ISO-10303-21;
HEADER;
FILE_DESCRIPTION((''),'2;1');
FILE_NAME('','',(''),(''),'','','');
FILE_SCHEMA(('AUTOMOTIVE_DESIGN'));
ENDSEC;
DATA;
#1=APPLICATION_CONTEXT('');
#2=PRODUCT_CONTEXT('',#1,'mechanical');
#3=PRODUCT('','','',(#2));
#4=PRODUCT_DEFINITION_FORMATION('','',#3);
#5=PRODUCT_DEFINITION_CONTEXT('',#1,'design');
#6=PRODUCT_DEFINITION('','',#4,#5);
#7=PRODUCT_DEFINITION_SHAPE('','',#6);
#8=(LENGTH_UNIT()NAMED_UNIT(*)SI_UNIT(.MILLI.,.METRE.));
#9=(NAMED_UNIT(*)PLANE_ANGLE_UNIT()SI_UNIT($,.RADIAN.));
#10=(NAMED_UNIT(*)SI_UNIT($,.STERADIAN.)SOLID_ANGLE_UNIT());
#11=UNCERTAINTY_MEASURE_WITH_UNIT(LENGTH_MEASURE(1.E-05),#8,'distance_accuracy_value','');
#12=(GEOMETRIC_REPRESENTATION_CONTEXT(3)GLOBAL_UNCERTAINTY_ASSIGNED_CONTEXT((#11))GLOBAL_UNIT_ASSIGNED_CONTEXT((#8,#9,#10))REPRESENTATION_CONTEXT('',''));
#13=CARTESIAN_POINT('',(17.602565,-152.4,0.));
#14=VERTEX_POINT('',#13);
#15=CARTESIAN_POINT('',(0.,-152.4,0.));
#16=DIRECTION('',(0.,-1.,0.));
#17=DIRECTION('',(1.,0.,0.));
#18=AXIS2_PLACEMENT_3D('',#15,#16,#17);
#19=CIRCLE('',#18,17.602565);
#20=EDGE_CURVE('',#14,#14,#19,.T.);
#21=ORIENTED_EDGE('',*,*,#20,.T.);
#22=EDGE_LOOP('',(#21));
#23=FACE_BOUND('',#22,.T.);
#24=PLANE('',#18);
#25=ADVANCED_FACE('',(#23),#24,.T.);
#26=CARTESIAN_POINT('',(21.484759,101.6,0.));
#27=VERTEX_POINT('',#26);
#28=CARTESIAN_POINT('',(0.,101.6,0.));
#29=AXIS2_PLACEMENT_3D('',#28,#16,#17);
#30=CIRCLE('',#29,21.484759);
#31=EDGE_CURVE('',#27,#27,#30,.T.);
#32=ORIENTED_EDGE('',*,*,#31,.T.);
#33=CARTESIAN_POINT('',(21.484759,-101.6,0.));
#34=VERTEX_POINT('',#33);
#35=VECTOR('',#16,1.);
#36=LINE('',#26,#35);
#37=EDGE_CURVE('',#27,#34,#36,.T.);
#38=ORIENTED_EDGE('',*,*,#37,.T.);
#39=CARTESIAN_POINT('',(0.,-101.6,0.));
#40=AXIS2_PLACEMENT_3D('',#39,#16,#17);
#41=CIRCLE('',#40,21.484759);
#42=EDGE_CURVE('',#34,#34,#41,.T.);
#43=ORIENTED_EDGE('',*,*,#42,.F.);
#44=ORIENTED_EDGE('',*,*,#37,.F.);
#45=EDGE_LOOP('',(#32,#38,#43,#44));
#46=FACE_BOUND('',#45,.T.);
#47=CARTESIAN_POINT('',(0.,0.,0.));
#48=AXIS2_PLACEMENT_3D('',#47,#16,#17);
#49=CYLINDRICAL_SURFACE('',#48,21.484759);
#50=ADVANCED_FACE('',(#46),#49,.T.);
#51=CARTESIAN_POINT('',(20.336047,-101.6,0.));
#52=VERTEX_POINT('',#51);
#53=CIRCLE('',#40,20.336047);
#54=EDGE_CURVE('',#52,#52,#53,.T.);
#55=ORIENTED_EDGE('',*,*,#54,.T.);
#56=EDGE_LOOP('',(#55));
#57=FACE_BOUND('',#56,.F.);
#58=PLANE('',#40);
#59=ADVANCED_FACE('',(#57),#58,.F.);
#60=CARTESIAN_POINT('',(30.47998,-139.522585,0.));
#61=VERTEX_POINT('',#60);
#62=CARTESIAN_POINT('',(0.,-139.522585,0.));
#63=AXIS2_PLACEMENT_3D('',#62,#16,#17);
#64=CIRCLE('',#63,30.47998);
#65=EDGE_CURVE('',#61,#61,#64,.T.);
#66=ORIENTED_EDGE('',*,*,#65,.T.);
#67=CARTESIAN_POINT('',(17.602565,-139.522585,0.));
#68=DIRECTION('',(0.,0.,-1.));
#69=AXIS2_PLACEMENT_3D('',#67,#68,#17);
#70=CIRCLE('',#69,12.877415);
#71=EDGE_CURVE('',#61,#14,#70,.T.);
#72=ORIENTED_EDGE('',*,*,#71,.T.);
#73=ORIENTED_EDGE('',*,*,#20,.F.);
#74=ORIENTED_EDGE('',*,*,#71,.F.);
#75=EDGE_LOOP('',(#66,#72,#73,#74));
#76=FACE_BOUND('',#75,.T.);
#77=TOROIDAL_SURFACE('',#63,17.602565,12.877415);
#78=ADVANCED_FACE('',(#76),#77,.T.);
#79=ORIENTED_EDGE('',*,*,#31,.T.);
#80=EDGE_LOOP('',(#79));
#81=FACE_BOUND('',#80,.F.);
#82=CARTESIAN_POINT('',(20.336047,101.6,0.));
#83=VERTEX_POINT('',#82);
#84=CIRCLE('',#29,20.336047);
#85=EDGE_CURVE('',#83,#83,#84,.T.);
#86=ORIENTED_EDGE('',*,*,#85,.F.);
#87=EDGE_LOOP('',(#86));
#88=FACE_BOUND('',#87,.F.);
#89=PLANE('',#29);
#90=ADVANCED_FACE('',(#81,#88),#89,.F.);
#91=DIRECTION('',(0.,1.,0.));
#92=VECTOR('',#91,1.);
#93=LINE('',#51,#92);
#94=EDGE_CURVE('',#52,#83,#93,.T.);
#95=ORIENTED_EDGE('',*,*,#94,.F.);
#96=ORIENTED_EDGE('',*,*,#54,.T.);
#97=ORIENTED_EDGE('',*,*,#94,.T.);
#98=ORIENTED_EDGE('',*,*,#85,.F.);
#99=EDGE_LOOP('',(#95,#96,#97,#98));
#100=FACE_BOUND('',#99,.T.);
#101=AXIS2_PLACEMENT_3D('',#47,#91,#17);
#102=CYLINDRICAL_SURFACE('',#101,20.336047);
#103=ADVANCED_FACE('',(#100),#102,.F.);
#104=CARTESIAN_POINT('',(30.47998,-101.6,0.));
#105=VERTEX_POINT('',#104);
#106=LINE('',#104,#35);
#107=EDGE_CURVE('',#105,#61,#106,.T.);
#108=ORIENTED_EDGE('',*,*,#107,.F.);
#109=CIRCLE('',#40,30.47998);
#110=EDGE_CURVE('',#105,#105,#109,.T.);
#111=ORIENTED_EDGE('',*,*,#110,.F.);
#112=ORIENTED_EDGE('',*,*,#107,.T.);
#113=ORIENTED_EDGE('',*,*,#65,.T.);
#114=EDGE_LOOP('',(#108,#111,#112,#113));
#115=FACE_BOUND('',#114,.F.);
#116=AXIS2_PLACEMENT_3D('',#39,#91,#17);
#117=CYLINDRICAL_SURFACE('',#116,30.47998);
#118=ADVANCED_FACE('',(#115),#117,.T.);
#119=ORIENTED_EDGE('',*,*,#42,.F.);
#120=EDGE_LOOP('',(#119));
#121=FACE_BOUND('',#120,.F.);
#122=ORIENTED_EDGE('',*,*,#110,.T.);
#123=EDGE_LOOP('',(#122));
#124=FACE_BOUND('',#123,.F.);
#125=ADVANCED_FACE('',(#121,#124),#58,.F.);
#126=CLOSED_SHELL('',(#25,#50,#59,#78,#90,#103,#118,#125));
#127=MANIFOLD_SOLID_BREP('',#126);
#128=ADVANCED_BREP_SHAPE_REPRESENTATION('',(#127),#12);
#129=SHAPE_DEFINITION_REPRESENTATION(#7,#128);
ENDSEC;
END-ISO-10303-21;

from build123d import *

# Parameters (mm, degrees)
F0_R     = 21.484759
F0_R_2   = 20.336047
F1_DEPTH = 101.6
F2_R     = 30.47998
F3_DEPTH = 50.8
F4_R     = 12.877415


with BuildPart() as f1:
    # F0 (on Front) → F1 (new body, symmetric)
    with BuildSketch(Plane.XZ):
        Circle(F0_R)
        Circle(F0_R_2, mode=Mode.SUBTRACT)
    extrude(amount=F1_DEPTH, both=True)

    # F2 (on face) → F3 (join)
    with BuildSketch(Plane.XZ.offset(101.6)):
        Circle(F2_R)
    extrude(amount=F3_DEPTH)

    # F4
    f4_edges = [f1.edges().sort_by_distance(p)[0] for p in [
        (-30.47998, -152.4, 0),
    ]]
    fillet(f4_edges, radius=F4_R)


solid = f1.part
